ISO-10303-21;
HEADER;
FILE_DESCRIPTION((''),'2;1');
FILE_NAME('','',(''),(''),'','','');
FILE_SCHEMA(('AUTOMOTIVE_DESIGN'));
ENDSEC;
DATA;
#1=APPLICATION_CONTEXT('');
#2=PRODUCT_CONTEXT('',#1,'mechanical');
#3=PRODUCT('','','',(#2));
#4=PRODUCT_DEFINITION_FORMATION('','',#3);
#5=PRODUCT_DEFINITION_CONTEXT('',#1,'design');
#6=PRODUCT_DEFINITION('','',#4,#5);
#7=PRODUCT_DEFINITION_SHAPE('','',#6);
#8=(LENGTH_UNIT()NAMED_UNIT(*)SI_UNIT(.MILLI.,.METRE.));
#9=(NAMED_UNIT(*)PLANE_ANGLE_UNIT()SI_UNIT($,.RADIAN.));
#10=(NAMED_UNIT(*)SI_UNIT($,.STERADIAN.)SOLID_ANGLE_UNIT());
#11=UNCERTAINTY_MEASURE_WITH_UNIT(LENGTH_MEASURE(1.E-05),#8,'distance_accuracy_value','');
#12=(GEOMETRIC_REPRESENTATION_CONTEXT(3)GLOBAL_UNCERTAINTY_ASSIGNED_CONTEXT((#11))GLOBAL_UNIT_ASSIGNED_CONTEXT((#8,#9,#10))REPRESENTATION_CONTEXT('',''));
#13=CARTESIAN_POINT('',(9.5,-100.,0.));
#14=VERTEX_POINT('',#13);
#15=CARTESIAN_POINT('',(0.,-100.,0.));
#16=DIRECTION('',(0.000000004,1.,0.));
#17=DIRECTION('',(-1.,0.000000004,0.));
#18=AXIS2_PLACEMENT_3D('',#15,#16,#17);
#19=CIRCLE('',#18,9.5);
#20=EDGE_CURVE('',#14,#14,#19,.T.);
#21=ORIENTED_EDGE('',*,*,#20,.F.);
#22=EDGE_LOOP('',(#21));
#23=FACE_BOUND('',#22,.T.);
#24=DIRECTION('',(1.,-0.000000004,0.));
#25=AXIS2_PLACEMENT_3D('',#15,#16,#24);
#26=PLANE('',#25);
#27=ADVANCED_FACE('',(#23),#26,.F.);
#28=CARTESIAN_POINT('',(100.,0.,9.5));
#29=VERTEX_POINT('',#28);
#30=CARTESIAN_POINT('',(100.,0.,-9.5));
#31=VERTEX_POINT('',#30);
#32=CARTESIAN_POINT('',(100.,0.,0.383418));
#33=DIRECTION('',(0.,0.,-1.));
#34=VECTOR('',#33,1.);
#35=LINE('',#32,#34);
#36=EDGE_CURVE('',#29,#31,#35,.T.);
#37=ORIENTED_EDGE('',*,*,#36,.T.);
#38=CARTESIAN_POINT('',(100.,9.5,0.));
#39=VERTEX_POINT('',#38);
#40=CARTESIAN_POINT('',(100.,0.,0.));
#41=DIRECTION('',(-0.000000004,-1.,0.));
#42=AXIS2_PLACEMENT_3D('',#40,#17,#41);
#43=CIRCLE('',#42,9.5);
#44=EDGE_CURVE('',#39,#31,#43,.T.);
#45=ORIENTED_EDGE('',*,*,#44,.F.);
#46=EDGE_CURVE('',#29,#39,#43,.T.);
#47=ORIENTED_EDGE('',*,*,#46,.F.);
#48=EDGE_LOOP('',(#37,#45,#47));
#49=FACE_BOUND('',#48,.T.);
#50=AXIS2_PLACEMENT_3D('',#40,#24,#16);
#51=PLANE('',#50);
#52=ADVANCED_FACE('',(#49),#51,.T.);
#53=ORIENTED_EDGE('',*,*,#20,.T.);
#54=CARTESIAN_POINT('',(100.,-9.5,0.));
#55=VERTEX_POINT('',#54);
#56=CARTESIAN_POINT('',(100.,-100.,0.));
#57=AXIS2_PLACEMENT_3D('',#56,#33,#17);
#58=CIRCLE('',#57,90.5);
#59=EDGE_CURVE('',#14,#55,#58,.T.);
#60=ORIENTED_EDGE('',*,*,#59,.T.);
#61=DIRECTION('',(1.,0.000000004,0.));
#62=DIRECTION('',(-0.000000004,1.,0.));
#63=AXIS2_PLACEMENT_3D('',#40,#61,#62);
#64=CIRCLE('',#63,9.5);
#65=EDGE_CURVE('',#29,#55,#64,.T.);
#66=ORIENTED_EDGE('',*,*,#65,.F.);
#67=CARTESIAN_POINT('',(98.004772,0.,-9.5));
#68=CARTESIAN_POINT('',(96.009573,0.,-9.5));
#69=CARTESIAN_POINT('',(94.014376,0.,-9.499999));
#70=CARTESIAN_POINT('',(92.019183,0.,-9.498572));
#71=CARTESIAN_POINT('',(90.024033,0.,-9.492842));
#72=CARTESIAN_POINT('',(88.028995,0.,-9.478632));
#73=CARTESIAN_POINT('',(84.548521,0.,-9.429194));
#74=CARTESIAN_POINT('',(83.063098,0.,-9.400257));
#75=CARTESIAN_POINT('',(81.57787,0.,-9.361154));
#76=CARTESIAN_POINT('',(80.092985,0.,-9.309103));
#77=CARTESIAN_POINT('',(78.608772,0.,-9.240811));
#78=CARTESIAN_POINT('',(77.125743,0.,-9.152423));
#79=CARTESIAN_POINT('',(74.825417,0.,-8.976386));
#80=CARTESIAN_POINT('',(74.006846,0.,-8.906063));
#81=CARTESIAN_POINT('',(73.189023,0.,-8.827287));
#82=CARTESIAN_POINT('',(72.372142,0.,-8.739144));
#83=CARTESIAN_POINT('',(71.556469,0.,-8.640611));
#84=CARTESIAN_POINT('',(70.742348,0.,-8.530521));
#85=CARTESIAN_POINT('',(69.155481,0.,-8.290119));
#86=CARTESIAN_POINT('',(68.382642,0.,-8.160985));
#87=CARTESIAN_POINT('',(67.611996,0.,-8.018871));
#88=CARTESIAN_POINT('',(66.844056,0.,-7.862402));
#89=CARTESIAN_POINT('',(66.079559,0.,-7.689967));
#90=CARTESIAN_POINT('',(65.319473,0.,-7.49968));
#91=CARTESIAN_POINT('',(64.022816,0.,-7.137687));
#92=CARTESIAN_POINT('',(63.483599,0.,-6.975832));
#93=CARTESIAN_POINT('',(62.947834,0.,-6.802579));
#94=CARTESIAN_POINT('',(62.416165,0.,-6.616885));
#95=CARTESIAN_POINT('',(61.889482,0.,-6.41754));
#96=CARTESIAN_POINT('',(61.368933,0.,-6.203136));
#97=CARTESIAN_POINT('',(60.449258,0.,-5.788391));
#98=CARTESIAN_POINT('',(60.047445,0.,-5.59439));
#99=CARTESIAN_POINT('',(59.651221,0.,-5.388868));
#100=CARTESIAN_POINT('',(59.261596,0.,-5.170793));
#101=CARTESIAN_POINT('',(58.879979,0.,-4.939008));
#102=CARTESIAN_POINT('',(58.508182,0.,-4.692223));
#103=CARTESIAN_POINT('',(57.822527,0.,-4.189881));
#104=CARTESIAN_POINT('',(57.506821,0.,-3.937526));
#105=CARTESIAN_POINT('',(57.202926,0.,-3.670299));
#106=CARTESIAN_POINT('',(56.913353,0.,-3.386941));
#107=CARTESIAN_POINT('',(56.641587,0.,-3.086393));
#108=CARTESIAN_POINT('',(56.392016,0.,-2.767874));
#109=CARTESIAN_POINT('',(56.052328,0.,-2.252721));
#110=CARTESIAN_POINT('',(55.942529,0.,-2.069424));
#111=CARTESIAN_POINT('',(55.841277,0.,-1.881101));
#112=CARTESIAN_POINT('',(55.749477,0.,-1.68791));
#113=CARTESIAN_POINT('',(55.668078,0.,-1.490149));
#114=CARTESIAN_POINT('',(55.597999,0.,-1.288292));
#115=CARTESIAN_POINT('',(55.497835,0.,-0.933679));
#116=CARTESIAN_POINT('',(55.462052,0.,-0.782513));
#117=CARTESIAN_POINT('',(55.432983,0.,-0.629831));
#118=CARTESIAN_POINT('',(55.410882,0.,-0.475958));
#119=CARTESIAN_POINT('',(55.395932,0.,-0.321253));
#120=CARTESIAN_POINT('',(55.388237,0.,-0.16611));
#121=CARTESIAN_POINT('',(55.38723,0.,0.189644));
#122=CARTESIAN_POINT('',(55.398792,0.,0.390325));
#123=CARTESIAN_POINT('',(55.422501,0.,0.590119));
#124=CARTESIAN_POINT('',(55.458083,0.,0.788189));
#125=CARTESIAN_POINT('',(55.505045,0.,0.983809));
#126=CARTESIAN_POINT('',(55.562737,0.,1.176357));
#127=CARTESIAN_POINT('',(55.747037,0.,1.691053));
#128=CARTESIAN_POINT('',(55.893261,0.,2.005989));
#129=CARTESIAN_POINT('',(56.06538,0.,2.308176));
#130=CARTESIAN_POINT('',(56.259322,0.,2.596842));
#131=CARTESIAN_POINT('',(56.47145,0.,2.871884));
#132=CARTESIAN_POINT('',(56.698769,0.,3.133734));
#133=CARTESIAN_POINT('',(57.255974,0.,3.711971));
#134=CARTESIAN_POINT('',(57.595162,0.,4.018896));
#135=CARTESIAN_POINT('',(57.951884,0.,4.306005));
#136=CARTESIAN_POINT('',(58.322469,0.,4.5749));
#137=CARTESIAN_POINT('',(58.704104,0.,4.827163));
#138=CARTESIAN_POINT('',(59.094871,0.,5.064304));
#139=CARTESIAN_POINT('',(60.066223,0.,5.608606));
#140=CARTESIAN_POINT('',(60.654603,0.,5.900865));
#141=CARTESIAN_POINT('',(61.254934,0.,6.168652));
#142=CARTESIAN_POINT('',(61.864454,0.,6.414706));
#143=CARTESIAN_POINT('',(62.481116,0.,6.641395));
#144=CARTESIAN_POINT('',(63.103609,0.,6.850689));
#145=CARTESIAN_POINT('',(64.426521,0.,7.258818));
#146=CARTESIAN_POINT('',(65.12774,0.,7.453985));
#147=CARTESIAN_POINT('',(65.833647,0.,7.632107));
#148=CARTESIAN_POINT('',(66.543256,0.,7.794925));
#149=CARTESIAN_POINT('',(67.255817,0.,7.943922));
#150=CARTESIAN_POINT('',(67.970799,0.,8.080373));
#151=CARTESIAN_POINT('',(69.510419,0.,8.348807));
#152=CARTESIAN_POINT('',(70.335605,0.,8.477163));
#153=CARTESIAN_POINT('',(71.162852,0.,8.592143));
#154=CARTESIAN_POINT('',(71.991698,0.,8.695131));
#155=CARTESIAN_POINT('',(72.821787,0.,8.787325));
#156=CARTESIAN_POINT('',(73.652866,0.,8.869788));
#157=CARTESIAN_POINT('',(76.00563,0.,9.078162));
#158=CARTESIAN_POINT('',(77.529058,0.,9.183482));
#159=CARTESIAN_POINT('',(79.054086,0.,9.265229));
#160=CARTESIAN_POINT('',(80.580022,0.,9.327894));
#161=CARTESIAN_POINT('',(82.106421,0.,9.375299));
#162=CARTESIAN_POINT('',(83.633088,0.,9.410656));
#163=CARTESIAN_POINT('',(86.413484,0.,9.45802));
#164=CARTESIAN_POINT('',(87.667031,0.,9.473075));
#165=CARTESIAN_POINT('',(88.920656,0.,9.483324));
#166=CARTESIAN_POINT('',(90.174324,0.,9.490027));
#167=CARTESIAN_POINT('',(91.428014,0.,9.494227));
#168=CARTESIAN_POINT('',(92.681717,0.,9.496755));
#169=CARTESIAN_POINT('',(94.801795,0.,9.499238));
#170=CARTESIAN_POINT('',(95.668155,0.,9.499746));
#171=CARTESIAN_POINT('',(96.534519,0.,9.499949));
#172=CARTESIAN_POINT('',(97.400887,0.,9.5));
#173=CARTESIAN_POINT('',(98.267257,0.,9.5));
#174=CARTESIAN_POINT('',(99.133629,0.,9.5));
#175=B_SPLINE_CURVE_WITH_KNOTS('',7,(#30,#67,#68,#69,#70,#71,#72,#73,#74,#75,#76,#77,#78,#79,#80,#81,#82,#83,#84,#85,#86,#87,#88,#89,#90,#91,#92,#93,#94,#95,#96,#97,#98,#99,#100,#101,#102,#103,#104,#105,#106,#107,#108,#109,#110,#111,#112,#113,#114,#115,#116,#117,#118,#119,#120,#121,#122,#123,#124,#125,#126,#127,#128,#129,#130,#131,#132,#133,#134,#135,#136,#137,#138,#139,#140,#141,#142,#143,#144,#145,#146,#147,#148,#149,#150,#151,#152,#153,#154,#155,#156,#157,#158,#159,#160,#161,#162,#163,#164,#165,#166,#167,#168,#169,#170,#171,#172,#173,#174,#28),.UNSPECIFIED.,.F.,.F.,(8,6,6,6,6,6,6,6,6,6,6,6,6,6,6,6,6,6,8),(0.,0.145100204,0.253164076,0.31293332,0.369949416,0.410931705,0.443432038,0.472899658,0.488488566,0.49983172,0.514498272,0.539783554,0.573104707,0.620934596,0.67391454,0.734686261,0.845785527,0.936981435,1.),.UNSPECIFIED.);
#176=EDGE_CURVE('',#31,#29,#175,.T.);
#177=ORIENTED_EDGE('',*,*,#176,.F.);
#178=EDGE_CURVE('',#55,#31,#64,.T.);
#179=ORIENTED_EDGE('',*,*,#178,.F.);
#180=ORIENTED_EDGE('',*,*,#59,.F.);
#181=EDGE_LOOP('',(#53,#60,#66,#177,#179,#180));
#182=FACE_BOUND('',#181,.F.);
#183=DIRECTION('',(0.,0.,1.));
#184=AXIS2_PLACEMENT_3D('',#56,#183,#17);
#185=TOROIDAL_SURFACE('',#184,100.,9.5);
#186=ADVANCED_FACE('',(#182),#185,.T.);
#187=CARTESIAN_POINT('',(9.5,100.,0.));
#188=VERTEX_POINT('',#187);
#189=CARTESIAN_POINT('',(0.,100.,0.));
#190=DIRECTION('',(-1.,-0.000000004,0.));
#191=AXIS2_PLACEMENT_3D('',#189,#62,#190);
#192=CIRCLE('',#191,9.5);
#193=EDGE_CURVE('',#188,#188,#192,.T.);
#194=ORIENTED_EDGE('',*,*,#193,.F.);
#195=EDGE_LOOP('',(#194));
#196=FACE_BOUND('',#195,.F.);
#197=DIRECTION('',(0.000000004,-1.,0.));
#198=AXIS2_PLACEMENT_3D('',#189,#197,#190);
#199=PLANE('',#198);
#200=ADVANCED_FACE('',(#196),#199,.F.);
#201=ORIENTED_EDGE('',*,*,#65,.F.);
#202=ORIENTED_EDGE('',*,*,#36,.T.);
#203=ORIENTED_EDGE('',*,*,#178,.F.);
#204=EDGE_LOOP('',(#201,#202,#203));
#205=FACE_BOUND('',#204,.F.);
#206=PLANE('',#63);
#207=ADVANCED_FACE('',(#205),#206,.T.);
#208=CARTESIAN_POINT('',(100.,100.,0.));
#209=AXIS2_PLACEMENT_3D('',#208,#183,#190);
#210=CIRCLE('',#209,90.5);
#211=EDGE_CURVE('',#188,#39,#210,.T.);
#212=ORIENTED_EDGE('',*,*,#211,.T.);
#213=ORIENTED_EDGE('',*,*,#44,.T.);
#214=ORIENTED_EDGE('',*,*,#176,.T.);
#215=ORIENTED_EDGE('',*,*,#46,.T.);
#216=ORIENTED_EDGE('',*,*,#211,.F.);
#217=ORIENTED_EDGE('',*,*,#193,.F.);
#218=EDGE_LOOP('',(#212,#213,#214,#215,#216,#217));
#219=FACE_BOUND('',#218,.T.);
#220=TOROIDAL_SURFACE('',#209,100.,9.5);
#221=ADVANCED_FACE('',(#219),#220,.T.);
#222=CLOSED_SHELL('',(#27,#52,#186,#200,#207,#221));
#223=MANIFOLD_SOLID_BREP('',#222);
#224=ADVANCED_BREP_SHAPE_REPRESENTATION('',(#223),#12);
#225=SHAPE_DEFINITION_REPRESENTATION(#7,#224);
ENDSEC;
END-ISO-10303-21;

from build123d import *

# Parameters (mm, degrees)
F2_R     = 9.5
F4_W     = 267.021797
F4_H     = 292.826072
F5_DEPTH = 40.8


with BuildPart() as f3:
    # F3: sweep along a path in F0
    with BuildLine(Plane.XY) as f3_path:
        ThreePointArc((0, 100), (29.289322, 29.289322), (100, 0))
    # F2 (on offset) → F3 (sweep)
    with BuildSketch(Plane.YZ.offset(100)):
        Circle(F2_R)
    sweep(path=f3_path.line)

    # F4 (on Front) → F5 (cut)
    with BuildSketch(Plane.XZ):
        with Locations((22.515599, 0.766836)):
            Rectangle(F4_W, F4_H)
    extrude(amount=F5_DEPTH, mode=Mode.SUBTRACT)

    # F6: F3 across face


with BuildPart() as f3_1:
    add(f3.part)
    add(f3.part.mirror(Plane(origin=(80.01217, 0, -7e-06), x_dir=(1, 0, 0), z_dir=(0, -1, 0))))


solid = f3_1.part
